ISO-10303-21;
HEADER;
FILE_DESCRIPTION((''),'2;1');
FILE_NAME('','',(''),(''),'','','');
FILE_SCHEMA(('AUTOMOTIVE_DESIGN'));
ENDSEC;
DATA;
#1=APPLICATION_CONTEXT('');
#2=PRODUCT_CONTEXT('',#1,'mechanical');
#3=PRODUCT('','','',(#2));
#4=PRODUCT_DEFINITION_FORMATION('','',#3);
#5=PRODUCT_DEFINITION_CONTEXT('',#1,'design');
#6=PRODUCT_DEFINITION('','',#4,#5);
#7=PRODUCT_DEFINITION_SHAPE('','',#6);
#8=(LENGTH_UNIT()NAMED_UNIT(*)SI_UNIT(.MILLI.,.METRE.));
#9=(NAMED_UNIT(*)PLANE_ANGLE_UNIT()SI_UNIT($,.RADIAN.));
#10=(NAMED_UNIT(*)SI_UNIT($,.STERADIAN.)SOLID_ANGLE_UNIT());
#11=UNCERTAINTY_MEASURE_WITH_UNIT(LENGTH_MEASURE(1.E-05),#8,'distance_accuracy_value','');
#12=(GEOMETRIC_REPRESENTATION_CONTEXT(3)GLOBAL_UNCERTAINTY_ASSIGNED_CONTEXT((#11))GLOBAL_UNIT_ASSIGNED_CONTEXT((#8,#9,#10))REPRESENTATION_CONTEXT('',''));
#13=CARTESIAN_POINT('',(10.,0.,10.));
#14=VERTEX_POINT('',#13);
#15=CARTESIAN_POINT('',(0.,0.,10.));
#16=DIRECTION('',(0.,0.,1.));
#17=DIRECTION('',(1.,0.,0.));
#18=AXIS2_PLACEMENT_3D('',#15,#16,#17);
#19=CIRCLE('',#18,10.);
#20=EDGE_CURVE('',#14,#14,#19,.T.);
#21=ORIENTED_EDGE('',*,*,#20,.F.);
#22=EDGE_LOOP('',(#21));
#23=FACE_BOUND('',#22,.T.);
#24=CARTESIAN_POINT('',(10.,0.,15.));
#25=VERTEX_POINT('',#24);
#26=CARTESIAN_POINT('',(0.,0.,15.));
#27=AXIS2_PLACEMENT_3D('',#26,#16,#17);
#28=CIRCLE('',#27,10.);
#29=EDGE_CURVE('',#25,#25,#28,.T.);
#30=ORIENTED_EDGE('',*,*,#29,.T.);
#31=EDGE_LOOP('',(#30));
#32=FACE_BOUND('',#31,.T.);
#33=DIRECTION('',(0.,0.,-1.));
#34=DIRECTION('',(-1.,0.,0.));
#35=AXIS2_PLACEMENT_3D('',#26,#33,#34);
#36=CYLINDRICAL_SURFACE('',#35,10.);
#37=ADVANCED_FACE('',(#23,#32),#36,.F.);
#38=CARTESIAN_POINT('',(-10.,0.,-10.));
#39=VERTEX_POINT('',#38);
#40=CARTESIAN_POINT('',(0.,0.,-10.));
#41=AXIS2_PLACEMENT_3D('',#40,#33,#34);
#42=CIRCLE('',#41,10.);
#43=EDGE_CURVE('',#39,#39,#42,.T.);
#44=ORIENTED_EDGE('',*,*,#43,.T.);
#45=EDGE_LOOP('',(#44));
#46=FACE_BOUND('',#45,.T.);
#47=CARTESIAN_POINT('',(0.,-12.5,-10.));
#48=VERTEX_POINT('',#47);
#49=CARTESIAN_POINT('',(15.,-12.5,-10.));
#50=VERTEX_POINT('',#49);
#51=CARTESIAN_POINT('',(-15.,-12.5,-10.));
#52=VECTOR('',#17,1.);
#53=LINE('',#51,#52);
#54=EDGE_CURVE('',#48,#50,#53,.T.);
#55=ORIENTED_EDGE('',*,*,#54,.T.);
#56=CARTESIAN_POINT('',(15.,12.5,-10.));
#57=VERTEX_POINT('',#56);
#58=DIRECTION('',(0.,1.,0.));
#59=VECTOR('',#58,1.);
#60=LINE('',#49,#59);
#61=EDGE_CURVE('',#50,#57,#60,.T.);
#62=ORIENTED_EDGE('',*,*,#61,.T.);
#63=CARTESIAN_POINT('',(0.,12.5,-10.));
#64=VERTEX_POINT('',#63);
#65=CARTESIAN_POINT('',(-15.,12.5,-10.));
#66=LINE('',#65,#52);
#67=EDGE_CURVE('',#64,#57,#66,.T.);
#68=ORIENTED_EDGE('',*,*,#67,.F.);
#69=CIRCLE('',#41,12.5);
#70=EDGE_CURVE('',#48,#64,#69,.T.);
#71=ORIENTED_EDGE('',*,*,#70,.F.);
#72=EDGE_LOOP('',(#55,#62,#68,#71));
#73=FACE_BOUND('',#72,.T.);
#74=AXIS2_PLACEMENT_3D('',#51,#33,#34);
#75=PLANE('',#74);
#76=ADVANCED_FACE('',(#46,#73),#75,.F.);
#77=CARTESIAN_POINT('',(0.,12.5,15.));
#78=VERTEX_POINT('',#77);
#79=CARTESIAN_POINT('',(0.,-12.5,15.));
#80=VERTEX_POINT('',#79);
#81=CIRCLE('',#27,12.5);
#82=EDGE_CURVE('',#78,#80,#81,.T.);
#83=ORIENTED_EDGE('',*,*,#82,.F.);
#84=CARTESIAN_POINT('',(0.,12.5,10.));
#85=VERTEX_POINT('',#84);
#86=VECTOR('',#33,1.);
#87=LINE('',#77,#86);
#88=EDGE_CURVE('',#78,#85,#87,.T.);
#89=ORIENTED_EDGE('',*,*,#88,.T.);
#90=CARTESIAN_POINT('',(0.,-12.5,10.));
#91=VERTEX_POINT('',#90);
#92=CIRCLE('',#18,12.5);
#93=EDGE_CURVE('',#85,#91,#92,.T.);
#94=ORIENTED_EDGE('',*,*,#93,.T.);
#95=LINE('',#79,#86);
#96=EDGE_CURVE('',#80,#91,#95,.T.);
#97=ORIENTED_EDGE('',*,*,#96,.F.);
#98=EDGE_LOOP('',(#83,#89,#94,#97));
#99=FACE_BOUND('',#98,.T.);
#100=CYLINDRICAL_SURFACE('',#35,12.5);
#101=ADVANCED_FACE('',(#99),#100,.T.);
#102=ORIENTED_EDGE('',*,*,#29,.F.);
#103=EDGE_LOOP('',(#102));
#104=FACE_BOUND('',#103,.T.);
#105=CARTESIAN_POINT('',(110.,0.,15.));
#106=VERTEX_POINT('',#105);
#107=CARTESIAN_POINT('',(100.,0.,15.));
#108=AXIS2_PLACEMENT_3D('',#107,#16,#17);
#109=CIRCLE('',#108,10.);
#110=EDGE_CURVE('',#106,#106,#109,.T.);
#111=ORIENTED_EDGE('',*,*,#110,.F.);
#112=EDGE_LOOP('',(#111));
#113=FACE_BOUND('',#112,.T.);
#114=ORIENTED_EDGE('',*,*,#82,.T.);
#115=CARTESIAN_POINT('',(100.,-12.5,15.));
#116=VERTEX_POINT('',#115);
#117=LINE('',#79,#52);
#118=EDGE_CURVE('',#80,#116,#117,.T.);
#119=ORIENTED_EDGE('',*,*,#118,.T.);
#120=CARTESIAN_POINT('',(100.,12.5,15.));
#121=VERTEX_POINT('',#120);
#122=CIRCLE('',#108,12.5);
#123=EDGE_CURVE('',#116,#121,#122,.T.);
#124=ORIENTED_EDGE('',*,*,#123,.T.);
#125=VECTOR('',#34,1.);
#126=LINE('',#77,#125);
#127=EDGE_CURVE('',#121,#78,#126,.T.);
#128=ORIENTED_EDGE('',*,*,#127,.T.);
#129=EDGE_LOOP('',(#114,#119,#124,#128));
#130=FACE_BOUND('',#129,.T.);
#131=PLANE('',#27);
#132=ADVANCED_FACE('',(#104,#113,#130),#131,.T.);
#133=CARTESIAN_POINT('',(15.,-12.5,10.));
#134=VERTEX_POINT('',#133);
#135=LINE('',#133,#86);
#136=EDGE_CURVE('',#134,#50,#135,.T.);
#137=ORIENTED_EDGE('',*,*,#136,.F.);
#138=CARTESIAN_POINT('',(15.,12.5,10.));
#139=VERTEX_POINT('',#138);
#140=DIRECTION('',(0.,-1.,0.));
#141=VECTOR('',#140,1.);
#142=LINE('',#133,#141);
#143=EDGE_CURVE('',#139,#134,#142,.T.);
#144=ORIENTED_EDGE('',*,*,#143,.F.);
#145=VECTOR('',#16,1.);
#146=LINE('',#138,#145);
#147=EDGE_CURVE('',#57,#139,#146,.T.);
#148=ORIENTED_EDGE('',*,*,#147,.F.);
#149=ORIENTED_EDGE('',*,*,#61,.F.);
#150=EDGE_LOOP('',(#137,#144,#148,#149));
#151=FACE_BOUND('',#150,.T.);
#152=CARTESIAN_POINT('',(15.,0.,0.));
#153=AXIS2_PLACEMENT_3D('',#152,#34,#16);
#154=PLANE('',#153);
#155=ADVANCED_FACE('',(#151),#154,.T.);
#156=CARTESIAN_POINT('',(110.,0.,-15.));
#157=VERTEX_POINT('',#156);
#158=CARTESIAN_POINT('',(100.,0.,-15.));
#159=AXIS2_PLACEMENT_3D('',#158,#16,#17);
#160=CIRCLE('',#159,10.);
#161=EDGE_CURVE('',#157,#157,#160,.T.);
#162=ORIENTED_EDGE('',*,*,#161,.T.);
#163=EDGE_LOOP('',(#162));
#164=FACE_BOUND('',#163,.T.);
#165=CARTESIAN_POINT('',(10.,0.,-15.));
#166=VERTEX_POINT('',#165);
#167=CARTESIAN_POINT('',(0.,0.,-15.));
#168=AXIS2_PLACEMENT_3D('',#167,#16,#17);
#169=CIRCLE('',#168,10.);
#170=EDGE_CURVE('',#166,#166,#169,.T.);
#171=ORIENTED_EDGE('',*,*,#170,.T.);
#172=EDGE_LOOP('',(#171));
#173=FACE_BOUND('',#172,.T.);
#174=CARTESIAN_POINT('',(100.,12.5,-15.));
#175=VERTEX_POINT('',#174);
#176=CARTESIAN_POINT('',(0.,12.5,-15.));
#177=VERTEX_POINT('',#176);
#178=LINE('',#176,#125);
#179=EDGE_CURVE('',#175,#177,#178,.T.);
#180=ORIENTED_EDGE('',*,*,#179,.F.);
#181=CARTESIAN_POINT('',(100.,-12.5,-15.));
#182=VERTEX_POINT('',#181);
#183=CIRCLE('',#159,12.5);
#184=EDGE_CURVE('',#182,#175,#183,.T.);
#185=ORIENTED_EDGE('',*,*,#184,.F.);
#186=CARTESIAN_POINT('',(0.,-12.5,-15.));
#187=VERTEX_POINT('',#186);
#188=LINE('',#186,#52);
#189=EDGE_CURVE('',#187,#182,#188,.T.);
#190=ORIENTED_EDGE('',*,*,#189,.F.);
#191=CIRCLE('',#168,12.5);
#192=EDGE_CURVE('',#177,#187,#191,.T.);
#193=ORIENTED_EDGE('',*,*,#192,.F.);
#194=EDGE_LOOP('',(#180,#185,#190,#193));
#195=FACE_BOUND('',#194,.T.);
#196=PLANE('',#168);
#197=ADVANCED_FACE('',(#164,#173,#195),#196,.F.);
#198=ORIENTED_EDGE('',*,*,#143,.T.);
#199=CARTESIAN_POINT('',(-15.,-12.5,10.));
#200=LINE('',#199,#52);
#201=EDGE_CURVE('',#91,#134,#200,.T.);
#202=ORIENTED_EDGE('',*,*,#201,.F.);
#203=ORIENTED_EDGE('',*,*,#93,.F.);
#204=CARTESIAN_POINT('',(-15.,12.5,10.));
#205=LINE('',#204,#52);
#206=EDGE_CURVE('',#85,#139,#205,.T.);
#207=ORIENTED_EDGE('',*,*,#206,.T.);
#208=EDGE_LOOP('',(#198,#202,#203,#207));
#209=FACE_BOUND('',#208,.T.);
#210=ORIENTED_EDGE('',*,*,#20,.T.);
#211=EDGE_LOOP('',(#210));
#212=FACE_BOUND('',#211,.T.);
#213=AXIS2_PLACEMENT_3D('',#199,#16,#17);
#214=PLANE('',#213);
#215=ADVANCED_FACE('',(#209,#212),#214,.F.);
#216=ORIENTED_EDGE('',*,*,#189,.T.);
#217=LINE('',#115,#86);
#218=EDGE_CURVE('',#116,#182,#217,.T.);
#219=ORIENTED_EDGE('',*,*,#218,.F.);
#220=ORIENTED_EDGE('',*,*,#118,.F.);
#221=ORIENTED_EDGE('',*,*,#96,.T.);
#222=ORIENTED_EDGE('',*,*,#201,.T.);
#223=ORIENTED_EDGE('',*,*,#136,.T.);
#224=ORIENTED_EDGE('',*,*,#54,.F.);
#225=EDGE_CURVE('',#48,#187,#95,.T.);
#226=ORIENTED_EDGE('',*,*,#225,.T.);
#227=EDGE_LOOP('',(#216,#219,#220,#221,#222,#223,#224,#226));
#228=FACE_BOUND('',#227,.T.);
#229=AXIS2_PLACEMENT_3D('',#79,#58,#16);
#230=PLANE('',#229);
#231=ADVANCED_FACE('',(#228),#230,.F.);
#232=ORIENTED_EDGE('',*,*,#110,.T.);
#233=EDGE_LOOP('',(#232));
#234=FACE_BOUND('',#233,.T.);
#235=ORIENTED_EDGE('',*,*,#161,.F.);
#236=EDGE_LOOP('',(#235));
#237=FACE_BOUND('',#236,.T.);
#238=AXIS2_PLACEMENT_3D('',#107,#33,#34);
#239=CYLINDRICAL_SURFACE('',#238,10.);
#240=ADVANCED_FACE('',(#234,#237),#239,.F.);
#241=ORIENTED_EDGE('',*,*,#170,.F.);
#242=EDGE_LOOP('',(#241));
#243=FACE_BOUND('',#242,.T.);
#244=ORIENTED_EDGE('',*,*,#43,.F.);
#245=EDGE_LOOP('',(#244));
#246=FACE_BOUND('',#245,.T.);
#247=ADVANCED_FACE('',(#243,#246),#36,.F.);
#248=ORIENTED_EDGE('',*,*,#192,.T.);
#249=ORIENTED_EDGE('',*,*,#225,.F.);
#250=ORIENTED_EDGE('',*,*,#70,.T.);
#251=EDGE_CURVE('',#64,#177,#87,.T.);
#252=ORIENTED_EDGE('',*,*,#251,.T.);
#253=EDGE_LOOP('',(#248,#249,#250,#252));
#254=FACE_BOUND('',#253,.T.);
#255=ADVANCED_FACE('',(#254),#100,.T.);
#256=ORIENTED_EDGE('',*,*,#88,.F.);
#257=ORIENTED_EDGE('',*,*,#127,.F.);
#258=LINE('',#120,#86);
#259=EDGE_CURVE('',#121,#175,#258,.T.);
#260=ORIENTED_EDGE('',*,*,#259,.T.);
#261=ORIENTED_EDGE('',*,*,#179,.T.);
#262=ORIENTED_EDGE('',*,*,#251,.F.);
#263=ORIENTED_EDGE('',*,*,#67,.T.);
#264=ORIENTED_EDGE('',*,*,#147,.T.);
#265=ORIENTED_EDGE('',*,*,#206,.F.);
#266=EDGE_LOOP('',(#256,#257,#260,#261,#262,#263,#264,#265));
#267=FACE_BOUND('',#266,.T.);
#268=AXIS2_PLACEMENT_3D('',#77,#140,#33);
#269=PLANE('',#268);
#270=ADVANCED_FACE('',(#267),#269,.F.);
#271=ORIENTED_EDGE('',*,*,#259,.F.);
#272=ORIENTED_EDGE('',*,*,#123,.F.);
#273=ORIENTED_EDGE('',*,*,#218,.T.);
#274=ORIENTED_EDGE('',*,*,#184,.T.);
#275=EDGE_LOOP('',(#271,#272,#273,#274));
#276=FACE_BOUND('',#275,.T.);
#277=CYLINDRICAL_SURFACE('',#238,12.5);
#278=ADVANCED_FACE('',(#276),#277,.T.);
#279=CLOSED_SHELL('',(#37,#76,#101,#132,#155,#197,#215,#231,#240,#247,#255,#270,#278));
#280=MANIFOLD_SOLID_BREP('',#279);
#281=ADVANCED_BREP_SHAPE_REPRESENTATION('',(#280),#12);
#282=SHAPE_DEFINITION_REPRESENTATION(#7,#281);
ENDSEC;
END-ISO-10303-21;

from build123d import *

# Parameters (mm, degrees)
SKETCH3_R           = 10
BOSS_EXTRUDE2_DEPTH = 15
SKETCH4_W           = 20
SKETCH4_H           = 25
CUT_EXTRUDE2_DEPTH  = 15


with BuildPart() as part:
    # Sketch3 → Boss-Extrude2 (new body, symmetric)
    with BuildSketch(Plane.XY):
        with BuildLine():
            Line((0, 12.5), (100, 12.5))
            ThreePointArc((100, 12.5), (112.5, 0), (100, -12.5))
            Line((100, -12.5), (0, -12.5))
            ThreePointArc((0, -12.5), (-12.5, 0), (0, 12.5))
        make_face()
        Circle(SKETCH3_R, mode=Mode.SUBTRACT)
        with Locations((100, 0)):
            Circle(SKETCH3_R, mode=Mode.SUBTRACT)
    extrude(amount=BOSS_EXTRUDE2_DEPTH, both=True)

    # Sketch4 → Cut-Extrude2 (cut, symmetric)
    with BuildSketch(Plane(origin=(0, 0, 0), x_dir=(0, 0, -1), z_dir=(1, 0, 0))):
        Rectangle(SKETCH4_W, SKETCH4_H)
    extrude(amount=CUT_EXTRUDE2_DEPTH, both=True, mode=Mode.SUBTRACT)


solid = part.part
